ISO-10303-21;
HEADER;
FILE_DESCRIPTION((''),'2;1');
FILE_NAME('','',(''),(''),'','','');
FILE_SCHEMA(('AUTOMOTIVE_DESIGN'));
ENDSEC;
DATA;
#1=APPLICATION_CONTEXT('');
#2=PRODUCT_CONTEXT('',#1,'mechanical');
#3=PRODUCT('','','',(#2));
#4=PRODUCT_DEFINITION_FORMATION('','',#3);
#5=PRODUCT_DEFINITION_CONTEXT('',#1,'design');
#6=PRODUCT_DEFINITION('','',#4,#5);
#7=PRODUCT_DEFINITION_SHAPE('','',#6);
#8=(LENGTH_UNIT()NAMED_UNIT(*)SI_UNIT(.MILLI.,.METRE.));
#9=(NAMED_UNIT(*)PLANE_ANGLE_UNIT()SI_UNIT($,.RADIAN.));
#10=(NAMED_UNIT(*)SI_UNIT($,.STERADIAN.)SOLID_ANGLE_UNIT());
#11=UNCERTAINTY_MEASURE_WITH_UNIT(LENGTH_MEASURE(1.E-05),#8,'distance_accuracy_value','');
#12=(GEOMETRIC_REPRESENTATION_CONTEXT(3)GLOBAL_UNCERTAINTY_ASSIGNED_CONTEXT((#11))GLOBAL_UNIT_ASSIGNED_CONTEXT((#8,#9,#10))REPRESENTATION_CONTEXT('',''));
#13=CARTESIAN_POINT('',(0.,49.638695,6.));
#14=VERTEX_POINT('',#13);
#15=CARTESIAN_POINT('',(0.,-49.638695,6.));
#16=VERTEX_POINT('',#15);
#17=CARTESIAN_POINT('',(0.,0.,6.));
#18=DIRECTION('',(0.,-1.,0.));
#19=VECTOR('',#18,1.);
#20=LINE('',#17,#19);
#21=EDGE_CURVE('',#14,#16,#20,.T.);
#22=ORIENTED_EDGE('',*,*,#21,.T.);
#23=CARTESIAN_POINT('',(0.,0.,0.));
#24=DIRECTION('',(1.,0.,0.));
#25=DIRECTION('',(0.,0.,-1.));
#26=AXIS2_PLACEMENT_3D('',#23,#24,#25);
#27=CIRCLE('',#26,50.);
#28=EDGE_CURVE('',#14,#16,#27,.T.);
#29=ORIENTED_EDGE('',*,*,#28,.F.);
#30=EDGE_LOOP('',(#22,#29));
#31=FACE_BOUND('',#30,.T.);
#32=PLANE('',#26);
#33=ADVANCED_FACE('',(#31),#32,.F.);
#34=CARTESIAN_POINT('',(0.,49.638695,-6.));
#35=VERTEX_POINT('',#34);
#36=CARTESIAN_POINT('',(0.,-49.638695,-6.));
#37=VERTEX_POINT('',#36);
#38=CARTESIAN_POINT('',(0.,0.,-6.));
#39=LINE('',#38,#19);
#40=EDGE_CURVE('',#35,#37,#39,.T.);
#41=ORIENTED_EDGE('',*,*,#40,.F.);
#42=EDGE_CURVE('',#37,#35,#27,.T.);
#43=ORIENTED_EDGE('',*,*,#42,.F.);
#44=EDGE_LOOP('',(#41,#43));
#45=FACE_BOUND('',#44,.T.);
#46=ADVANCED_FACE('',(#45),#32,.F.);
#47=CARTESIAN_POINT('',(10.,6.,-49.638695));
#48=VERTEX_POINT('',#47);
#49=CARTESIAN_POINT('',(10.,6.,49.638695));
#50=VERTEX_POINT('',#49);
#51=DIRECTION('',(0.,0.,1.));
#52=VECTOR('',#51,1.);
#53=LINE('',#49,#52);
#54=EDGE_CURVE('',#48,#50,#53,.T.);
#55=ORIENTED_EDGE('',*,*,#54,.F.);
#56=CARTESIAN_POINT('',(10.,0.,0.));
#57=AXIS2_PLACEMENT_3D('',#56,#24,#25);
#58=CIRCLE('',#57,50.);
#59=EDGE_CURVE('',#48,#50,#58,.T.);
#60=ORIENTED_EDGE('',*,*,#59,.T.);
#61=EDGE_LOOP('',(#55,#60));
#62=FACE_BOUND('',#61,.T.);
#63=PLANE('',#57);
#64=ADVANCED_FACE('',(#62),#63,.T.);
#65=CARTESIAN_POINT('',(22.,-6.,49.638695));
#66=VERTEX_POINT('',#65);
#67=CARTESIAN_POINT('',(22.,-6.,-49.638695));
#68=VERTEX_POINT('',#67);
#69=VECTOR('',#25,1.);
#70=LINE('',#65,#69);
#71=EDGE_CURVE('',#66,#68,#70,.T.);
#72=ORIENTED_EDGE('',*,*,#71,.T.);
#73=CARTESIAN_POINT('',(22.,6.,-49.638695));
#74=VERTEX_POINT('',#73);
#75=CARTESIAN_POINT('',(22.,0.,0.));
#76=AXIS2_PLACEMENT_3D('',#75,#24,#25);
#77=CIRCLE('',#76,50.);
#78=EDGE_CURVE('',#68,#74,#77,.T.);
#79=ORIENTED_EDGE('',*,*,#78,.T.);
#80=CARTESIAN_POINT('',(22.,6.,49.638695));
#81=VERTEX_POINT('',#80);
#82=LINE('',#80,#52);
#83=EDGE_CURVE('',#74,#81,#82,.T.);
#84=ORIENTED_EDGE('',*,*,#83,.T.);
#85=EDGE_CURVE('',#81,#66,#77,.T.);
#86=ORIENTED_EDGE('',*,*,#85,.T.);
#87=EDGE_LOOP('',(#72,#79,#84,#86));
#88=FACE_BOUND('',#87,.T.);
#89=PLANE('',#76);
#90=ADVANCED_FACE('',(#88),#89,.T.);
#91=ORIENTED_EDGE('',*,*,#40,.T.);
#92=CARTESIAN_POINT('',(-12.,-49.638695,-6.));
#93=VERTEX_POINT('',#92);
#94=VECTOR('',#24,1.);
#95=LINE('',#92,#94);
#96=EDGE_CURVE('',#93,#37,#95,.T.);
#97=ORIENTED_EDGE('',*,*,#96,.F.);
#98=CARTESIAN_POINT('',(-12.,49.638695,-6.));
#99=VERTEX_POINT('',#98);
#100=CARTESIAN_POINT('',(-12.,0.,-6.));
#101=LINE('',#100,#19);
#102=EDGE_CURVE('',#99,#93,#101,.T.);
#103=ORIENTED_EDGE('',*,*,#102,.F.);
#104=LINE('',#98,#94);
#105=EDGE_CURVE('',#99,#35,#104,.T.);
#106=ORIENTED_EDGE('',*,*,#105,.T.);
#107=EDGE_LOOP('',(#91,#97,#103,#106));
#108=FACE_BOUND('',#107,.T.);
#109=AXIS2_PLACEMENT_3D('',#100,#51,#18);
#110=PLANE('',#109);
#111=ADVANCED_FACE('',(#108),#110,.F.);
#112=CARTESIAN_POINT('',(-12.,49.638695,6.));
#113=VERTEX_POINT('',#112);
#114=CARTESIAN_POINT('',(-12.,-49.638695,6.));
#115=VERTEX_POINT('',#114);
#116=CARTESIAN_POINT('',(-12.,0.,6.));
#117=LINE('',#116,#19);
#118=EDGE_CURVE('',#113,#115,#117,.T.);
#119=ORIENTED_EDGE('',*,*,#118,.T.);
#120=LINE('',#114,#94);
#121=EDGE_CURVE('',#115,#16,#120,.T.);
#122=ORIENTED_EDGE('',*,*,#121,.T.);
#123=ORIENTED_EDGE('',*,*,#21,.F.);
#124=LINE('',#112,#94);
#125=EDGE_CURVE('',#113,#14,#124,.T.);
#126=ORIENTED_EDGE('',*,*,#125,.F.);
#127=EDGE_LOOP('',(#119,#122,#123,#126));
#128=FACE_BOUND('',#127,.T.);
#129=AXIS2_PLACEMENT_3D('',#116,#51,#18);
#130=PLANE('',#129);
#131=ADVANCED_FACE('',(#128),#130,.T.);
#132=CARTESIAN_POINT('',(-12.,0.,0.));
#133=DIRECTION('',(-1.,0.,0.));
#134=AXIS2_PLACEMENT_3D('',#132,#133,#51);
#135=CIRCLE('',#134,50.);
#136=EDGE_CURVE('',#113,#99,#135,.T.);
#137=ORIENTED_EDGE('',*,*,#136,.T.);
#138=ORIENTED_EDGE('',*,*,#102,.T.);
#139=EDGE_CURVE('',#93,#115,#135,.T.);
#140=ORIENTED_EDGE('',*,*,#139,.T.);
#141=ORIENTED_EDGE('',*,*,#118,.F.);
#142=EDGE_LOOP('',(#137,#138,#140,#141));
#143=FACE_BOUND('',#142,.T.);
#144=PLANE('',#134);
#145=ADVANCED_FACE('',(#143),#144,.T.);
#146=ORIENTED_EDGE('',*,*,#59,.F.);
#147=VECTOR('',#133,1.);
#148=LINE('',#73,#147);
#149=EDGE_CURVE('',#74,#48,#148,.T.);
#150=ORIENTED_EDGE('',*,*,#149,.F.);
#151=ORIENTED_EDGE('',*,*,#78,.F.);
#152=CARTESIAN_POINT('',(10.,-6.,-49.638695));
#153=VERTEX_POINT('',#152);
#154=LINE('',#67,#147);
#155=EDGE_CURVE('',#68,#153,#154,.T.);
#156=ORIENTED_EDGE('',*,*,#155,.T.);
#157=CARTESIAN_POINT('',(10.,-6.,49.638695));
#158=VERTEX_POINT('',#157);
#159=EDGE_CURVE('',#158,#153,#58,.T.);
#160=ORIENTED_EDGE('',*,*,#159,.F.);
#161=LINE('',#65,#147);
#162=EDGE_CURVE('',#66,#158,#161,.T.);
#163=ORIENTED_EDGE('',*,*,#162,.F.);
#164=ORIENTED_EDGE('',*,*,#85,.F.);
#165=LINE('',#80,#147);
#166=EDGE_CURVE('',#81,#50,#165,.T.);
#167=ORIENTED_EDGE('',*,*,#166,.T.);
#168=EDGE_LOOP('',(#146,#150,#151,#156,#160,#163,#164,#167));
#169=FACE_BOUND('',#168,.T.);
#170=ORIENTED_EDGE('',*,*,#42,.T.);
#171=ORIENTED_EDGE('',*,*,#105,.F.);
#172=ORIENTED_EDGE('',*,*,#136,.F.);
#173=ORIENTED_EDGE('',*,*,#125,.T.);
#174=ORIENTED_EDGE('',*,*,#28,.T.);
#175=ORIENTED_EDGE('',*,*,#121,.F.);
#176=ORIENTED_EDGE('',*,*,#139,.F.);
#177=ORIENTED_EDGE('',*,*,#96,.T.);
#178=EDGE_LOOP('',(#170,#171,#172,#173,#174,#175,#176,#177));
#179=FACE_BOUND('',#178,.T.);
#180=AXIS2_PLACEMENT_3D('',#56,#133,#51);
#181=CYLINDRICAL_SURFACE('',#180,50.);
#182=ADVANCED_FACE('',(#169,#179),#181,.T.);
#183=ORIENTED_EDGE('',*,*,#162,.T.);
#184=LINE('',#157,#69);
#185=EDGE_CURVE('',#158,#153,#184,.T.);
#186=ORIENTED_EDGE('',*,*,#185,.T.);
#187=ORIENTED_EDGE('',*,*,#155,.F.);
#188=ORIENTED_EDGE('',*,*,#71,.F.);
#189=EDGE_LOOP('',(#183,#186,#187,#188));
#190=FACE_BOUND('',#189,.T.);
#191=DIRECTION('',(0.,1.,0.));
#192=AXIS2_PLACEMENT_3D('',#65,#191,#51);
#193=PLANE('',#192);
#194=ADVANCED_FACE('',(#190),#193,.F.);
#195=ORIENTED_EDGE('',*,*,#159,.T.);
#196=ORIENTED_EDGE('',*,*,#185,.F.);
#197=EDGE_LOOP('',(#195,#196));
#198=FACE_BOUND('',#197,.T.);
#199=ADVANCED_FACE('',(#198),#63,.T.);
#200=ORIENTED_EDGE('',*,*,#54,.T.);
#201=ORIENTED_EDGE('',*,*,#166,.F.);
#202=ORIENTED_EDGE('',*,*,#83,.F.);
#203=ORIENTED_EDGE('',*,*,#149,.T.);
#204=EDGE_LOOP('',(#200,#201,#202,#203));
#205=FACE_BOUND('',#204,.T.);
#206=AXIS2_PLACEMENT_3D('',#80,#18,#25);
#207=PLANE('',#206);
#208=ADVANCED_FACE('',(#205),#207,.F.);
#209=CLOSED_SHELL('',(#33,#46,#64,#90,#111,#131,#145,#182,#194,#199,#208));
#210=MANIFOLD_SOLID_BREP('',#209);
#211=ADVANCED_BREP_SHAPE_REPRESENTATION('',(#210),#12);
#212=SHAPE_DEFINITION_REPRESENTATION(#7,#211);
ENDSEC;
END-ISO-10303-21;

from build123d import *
from build123d.topology import SkipClean

# Parameters (mm, degrees)
SKETCH1_R           = 50
BOSS_EXTRUDE1_DEPTH = 10
BOSS_EXTRUDE2_DEPTH = 12
BOSS_EXTRUDE3_START = 12
BOSS_EXTRUDE3_DEPTH = 12


with BuildPart() as part:
    # Sketch1 → Boss-Extrude1 (new body)
    with BuildSketch(Plane(origin=(0, 0, 0), x_dir=(0, 0, -1), z_dir=(1, 0, 0))):
        Circle(SKETCH1_R)
    extrude(amount=BOSS_EXTRUDE1_DEPTH)

    # Sketch2 → Boss-Extrude2 (add)
    with SkipClean():  # the faces are left unmerged after this step: merging them gives an invalid solid
        with BuildSketch(Plane(origin=(10, 0, 0), x_dir=(0, 0, -1), z_dir=(1, 0, 0))):
            with BuildLine():
                Line((-49.638694584, 6), (49.638694584, 6))
                ThreePointArc((49.638694584, 6), (50, 0), (49.638694584, -6))
                Line((49.638694584, -6), (-49.638694584, -6))
                ThreePointArc((-49.638694584, -6), (-50, 0), (-49.638694584, 6))
            make_face()
        extrude(amount=BOSS_EXTRUDE2_DEPTH)

    # Sketch3 → Boss-Extrude3 (add)
    with SkipClean():  # the faces are left unmerged after this step: merging them gives an invalid solid
        with BuildSketch(Plane.ZY.offset(BOSS_EXTRUDE3_START)):
            with BuildLine():
                ThreePointArc((6, 49.638694584), (0, 50), (-6, 49.638694584))
                Line((-6, 49.638694584), (-6, -49.638694584))
                ThreePointArc((-6, -49.638694584), (0, -50), (6, -49.638694584))
                Line((6, -49.638694584), (6, 49.638694584))
            make_face()
        extrude(amount=-BOSS_EXTRUDE3_DEPTH)


solid = part.part
